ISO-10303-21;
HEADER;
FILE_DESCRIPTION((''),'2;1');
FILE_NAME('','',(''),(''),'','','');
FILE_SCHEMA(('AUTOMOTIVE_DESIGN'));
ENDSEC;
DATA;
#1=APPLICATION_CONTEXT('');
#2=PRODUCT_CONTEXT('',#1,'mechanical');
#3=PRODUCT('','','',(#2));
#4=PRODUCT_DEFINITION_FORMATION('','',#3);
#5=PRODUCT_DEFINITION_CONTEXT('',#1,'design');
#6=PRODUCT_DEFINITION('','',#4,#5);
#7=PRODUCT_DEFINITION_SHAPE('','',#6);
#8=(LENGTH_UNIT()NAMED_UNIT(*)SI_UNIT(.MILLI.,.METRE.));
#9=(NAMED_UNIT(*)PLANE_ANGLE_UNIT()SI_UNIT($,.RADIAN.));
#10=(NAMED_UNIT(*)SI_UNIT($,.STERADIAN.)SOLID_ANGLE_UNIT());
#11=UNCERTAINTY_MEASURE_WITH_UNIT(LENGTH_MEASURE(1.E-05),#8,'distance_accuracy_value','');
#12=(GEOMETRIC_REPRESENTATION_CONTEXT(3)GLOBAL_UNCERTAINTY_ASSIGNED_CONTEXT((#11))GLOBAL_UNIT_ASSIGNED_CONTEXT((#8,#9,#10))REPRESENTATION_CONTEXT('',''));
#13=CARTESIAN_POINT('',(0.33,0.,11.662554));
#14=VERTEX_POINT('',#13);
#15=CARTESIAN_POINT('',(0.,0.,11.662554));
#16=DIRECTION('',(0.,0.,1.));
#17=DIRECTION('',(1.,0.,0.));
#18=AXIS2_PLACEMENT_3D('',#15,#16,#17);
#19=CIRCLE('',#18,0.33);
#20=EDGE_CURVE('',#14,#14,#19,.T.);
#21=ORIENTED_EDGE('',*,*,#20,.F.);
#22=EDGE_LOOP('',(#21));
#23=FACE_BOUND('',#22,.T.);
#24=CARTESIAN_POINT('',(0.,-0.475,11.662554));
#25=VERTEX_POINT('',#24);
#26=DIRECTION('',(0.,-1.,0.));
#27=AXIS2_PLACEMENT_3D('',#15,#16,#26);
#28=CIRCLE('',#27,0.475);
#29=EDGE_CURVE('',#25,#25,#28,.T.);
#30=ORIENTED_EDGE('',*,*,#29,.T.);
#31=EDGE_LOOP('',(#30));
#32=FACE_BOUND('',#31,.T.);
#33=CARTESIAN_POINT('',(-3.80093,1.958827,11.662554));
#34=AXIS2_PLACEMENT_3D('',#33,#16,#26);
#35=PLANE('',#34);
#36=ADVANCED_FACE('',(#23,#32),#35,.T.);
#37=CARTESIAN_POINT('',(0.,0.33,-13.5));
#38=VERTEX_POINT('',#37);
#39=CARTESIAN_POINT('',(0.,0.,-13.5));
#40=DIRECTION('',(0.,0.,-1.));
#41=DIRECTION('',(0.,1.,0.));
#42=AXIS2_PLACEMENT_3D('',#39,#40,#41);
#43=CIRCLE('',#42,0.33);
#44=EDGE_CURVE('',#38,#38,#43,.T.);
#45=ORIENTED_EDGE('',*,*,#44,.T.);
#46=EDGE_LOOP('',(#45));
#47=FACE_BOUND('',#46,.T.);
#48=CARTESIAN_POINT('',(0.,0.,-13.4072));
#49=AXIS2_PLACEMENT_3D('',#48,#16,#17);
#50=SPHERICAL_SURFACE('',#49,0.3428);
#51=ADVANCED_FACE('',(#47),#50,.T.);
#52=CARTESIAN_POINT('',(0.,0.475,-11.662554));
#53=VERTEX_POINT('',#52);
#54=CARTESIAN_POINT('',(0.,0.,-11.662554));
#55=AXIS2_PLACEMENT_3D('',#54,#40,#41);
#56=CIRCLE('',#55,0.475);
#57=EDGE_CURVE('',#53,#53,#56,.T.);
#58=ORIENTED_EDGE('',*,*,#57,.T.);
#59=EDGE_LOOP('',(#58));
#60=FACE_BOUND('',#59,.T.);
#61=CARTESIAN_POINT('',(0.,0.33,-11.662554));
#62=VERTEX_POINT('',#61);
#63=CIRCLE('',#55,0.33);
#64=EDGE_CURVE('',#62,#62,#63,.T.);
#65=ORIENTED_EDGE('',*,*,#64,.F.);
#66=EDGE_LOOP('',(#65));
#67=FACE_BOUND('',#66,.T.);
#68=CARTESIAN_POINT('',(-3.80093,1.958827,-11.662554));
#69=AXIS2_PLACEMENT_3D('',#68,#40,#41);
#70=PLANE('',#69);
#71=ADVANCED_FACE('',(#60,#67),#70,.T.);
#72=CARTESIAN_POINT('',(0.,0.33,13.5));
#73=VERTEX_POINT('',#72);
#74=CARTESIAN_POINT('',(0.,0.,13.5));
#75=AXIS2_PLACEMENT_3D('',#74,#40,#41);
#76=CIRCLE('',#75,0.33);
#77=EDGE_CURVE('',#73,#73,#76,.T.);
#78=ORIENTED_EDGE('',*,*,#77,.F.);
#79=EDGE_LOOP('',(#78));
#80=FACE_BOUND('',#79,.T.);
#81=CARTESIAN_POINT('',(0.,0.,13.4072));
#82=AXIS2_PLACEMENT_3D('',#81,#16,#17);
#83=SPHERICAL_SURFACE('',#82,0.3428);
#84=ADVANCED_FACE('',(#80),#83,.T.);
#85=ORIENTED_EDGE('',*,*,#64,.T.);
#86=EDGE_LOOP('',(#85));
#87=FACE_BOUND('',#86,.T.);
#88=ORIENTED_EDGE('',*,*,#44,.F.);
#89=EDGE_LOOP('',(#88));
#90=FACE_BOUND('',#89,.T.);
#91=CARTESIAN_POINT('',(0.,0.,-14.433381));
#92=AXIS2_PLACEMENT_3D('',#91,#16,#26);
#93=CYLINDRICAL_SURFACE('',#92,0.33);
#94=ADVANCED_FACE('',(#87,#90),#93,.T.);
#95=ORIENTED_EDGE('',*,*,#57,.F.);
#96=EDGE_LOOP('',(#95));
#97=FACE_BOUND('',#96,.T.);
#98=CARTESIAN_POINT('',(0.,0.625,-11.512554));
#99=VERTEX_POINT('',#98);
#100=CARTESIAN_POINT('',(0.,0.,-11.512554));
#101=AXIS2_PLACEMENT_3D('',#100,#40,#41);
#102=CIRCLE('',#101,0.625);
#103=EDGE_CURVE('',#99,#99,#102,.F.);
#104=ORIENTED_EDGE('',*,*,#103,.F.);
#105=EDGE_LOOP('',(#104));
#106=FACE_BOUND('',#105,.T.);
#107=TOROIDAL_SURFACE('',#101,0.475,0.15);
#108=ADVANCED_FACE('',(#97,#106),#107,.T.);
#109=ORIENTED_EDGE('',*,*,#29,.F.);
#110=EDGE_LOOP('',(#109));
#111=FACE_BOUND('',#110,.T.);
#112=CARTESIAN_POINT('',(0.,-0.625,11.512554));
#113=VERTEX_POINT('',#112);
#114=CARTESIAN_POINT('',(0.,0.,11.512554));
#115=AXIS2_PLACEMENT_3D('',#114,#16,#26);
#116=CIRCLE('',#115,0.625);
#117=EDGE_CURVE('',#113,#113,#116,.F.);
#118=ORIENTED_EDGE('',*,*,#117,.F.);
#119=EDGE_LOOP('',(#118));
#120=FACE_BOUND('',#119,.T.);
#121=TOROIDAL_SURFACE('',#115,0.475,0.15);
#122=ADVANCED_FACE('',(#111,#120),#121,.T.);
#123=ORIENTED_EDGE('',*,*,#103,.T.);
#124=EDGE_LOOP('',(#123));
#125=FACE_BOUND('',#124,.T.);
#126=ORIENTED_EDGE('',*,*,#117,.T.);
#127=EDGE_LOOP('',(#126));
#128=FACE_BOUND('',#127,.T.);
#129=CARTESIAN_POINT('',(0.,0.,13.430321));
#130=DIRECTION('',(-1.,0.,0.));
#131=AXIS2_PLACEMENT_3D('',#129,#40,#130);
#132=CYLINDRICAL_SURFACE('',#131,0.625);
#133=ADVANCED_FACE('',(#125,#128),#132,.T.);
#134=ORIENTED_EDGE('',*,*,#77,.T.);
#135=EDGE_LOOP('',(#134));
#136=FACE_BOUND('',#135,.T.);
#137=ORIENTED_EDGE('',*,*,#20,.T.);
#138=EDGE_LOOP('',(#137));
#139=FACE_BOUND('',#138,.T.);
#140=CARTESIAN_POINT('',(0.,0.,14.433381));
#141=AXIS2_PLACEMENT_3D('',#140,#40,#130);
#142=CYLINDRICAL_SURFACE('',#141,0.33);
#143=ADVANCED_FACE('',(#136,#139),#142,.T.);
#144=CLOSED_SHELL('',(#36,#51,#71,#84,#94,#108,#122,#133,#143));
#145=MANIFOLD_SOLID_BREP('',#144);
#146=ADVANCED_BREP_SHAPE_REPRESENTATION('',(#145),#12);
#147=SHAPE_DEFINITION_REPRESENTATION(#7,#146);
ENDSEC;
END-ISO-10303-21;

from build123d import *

# Parameters (mm, degrees)
ESQUISSE1_R             = 0.625
BOSS_EXTRU_1_DEPTH      = 11.662554
BOSS_EXTRU_1_DEPTH_BACK = 11.662554
ESQUISSE2_R             = 0.33
BOSS_EXTRU_2_DEPTH      = 1.837446
ESQUISSE3_R             = 0.33
BOSS_EXTRU_3_DEPTH      = 1.837446
D_ME1_FACE_RADIUS       = 0.33
D_ME1_HEIGHT            = 0.25
D_ME2_FACE_RADIUS       = 0.33
D_ME2_HEIGHT            = 0.25
CONG_1_R                = 0.15


with BuildPart() as part:
    # Esquisse1 → Boss.-Extru.1 (new body, two sides)
    with BuildSketch(Plane.XY) as boss_extru_1_sk:
        Circle(ESQUISSE1_R)
    extrude(amount=BOSS_EXTRU_1_DEPTH)
    extrude(boss_extru_1_sk.sketch, amount=-BOSS_EXTRU_1_DEPTH_BACK)

    # Esquisse2 → Boss.-Extru.2 (add)
    with BuildSketch(Plane.XY.offset(11.662554)):
        Circle(ESQUISSE2_R)
    extrude(amount=BOSS_EXTRU_2_DEPTH)

    # Esquisse3 → Boss.-Extru.3 (add)
    with BuildSketch(Plane(origin=(0, 0, -11.662554), x_dir=(-1, 0, 0), z_dir=(0, 0, -1))):
        Circle(ESQUISSE3_R)
    extrude(amount=BOSS_EXTRU_3_DEPTH)

    # D_me1: a dome of height H over a round flat face of radius A is a cap of a sphere of radius (A * A + H * H) / (2 * H)
    d_me1_r = (D_ME1_FACE_RADIUS * D_ME1_FACE_RADIUS + D_ME1_HEIGHT * D_ME1_HEIGHT) / (2 * D_ME1_HEIGHT)
    d_me1_base = Plane((0, 0, 13.5), z_dir=(0, 0, 1))
    with Locations(d_me1_base.offset(D_ME1_HEIGHT - d_me1_r)):
        d_me1_ball = Sphere(d_me1_r, mode=Mode.PRIVATE)
    add(split(d_me1_ball, bisect_by=d_me1_base, keep=Keep.TOP, mode=Mode.PRIVATE))

    # D_me2: a dome of height H over a round flat face of radius A is a cap of a sphere of radius (A * A + H * H) / (2 * H)
    d_me2_r = (D_ME2_FACE_RADIUS * D_ME2_FACE_RADIUS + D_ME2_HEIGHT * D_ME2_HEIGHT) / (2 * D_ME2_HEIGHT)
    d_me2_base = Plane((0, 0, -13.5), z_dir=(0, 0, -1))
    with Locations(d_me2_base.offset(D_ME2_HEIGHT - d_me2_r)):
        d_me2_ball = Sphere(d_me2_r, mode=Mode.PRIVATE)
    add(split(d_me2_ball, bisect_by=d_me2_base, keep=Keep.TOP, mode=Mode.PRIVATE))

    # Cong_1
    cong_1_edges = [part.edges().sort_by_distance(p)[0] for p in [
        (-0.625, 0, -11.662554),
        (-0.625, 0, 11.662554),
    ]]
    fillet(cong_1_edges, radius=CONG_1_R)


solid = part.part
